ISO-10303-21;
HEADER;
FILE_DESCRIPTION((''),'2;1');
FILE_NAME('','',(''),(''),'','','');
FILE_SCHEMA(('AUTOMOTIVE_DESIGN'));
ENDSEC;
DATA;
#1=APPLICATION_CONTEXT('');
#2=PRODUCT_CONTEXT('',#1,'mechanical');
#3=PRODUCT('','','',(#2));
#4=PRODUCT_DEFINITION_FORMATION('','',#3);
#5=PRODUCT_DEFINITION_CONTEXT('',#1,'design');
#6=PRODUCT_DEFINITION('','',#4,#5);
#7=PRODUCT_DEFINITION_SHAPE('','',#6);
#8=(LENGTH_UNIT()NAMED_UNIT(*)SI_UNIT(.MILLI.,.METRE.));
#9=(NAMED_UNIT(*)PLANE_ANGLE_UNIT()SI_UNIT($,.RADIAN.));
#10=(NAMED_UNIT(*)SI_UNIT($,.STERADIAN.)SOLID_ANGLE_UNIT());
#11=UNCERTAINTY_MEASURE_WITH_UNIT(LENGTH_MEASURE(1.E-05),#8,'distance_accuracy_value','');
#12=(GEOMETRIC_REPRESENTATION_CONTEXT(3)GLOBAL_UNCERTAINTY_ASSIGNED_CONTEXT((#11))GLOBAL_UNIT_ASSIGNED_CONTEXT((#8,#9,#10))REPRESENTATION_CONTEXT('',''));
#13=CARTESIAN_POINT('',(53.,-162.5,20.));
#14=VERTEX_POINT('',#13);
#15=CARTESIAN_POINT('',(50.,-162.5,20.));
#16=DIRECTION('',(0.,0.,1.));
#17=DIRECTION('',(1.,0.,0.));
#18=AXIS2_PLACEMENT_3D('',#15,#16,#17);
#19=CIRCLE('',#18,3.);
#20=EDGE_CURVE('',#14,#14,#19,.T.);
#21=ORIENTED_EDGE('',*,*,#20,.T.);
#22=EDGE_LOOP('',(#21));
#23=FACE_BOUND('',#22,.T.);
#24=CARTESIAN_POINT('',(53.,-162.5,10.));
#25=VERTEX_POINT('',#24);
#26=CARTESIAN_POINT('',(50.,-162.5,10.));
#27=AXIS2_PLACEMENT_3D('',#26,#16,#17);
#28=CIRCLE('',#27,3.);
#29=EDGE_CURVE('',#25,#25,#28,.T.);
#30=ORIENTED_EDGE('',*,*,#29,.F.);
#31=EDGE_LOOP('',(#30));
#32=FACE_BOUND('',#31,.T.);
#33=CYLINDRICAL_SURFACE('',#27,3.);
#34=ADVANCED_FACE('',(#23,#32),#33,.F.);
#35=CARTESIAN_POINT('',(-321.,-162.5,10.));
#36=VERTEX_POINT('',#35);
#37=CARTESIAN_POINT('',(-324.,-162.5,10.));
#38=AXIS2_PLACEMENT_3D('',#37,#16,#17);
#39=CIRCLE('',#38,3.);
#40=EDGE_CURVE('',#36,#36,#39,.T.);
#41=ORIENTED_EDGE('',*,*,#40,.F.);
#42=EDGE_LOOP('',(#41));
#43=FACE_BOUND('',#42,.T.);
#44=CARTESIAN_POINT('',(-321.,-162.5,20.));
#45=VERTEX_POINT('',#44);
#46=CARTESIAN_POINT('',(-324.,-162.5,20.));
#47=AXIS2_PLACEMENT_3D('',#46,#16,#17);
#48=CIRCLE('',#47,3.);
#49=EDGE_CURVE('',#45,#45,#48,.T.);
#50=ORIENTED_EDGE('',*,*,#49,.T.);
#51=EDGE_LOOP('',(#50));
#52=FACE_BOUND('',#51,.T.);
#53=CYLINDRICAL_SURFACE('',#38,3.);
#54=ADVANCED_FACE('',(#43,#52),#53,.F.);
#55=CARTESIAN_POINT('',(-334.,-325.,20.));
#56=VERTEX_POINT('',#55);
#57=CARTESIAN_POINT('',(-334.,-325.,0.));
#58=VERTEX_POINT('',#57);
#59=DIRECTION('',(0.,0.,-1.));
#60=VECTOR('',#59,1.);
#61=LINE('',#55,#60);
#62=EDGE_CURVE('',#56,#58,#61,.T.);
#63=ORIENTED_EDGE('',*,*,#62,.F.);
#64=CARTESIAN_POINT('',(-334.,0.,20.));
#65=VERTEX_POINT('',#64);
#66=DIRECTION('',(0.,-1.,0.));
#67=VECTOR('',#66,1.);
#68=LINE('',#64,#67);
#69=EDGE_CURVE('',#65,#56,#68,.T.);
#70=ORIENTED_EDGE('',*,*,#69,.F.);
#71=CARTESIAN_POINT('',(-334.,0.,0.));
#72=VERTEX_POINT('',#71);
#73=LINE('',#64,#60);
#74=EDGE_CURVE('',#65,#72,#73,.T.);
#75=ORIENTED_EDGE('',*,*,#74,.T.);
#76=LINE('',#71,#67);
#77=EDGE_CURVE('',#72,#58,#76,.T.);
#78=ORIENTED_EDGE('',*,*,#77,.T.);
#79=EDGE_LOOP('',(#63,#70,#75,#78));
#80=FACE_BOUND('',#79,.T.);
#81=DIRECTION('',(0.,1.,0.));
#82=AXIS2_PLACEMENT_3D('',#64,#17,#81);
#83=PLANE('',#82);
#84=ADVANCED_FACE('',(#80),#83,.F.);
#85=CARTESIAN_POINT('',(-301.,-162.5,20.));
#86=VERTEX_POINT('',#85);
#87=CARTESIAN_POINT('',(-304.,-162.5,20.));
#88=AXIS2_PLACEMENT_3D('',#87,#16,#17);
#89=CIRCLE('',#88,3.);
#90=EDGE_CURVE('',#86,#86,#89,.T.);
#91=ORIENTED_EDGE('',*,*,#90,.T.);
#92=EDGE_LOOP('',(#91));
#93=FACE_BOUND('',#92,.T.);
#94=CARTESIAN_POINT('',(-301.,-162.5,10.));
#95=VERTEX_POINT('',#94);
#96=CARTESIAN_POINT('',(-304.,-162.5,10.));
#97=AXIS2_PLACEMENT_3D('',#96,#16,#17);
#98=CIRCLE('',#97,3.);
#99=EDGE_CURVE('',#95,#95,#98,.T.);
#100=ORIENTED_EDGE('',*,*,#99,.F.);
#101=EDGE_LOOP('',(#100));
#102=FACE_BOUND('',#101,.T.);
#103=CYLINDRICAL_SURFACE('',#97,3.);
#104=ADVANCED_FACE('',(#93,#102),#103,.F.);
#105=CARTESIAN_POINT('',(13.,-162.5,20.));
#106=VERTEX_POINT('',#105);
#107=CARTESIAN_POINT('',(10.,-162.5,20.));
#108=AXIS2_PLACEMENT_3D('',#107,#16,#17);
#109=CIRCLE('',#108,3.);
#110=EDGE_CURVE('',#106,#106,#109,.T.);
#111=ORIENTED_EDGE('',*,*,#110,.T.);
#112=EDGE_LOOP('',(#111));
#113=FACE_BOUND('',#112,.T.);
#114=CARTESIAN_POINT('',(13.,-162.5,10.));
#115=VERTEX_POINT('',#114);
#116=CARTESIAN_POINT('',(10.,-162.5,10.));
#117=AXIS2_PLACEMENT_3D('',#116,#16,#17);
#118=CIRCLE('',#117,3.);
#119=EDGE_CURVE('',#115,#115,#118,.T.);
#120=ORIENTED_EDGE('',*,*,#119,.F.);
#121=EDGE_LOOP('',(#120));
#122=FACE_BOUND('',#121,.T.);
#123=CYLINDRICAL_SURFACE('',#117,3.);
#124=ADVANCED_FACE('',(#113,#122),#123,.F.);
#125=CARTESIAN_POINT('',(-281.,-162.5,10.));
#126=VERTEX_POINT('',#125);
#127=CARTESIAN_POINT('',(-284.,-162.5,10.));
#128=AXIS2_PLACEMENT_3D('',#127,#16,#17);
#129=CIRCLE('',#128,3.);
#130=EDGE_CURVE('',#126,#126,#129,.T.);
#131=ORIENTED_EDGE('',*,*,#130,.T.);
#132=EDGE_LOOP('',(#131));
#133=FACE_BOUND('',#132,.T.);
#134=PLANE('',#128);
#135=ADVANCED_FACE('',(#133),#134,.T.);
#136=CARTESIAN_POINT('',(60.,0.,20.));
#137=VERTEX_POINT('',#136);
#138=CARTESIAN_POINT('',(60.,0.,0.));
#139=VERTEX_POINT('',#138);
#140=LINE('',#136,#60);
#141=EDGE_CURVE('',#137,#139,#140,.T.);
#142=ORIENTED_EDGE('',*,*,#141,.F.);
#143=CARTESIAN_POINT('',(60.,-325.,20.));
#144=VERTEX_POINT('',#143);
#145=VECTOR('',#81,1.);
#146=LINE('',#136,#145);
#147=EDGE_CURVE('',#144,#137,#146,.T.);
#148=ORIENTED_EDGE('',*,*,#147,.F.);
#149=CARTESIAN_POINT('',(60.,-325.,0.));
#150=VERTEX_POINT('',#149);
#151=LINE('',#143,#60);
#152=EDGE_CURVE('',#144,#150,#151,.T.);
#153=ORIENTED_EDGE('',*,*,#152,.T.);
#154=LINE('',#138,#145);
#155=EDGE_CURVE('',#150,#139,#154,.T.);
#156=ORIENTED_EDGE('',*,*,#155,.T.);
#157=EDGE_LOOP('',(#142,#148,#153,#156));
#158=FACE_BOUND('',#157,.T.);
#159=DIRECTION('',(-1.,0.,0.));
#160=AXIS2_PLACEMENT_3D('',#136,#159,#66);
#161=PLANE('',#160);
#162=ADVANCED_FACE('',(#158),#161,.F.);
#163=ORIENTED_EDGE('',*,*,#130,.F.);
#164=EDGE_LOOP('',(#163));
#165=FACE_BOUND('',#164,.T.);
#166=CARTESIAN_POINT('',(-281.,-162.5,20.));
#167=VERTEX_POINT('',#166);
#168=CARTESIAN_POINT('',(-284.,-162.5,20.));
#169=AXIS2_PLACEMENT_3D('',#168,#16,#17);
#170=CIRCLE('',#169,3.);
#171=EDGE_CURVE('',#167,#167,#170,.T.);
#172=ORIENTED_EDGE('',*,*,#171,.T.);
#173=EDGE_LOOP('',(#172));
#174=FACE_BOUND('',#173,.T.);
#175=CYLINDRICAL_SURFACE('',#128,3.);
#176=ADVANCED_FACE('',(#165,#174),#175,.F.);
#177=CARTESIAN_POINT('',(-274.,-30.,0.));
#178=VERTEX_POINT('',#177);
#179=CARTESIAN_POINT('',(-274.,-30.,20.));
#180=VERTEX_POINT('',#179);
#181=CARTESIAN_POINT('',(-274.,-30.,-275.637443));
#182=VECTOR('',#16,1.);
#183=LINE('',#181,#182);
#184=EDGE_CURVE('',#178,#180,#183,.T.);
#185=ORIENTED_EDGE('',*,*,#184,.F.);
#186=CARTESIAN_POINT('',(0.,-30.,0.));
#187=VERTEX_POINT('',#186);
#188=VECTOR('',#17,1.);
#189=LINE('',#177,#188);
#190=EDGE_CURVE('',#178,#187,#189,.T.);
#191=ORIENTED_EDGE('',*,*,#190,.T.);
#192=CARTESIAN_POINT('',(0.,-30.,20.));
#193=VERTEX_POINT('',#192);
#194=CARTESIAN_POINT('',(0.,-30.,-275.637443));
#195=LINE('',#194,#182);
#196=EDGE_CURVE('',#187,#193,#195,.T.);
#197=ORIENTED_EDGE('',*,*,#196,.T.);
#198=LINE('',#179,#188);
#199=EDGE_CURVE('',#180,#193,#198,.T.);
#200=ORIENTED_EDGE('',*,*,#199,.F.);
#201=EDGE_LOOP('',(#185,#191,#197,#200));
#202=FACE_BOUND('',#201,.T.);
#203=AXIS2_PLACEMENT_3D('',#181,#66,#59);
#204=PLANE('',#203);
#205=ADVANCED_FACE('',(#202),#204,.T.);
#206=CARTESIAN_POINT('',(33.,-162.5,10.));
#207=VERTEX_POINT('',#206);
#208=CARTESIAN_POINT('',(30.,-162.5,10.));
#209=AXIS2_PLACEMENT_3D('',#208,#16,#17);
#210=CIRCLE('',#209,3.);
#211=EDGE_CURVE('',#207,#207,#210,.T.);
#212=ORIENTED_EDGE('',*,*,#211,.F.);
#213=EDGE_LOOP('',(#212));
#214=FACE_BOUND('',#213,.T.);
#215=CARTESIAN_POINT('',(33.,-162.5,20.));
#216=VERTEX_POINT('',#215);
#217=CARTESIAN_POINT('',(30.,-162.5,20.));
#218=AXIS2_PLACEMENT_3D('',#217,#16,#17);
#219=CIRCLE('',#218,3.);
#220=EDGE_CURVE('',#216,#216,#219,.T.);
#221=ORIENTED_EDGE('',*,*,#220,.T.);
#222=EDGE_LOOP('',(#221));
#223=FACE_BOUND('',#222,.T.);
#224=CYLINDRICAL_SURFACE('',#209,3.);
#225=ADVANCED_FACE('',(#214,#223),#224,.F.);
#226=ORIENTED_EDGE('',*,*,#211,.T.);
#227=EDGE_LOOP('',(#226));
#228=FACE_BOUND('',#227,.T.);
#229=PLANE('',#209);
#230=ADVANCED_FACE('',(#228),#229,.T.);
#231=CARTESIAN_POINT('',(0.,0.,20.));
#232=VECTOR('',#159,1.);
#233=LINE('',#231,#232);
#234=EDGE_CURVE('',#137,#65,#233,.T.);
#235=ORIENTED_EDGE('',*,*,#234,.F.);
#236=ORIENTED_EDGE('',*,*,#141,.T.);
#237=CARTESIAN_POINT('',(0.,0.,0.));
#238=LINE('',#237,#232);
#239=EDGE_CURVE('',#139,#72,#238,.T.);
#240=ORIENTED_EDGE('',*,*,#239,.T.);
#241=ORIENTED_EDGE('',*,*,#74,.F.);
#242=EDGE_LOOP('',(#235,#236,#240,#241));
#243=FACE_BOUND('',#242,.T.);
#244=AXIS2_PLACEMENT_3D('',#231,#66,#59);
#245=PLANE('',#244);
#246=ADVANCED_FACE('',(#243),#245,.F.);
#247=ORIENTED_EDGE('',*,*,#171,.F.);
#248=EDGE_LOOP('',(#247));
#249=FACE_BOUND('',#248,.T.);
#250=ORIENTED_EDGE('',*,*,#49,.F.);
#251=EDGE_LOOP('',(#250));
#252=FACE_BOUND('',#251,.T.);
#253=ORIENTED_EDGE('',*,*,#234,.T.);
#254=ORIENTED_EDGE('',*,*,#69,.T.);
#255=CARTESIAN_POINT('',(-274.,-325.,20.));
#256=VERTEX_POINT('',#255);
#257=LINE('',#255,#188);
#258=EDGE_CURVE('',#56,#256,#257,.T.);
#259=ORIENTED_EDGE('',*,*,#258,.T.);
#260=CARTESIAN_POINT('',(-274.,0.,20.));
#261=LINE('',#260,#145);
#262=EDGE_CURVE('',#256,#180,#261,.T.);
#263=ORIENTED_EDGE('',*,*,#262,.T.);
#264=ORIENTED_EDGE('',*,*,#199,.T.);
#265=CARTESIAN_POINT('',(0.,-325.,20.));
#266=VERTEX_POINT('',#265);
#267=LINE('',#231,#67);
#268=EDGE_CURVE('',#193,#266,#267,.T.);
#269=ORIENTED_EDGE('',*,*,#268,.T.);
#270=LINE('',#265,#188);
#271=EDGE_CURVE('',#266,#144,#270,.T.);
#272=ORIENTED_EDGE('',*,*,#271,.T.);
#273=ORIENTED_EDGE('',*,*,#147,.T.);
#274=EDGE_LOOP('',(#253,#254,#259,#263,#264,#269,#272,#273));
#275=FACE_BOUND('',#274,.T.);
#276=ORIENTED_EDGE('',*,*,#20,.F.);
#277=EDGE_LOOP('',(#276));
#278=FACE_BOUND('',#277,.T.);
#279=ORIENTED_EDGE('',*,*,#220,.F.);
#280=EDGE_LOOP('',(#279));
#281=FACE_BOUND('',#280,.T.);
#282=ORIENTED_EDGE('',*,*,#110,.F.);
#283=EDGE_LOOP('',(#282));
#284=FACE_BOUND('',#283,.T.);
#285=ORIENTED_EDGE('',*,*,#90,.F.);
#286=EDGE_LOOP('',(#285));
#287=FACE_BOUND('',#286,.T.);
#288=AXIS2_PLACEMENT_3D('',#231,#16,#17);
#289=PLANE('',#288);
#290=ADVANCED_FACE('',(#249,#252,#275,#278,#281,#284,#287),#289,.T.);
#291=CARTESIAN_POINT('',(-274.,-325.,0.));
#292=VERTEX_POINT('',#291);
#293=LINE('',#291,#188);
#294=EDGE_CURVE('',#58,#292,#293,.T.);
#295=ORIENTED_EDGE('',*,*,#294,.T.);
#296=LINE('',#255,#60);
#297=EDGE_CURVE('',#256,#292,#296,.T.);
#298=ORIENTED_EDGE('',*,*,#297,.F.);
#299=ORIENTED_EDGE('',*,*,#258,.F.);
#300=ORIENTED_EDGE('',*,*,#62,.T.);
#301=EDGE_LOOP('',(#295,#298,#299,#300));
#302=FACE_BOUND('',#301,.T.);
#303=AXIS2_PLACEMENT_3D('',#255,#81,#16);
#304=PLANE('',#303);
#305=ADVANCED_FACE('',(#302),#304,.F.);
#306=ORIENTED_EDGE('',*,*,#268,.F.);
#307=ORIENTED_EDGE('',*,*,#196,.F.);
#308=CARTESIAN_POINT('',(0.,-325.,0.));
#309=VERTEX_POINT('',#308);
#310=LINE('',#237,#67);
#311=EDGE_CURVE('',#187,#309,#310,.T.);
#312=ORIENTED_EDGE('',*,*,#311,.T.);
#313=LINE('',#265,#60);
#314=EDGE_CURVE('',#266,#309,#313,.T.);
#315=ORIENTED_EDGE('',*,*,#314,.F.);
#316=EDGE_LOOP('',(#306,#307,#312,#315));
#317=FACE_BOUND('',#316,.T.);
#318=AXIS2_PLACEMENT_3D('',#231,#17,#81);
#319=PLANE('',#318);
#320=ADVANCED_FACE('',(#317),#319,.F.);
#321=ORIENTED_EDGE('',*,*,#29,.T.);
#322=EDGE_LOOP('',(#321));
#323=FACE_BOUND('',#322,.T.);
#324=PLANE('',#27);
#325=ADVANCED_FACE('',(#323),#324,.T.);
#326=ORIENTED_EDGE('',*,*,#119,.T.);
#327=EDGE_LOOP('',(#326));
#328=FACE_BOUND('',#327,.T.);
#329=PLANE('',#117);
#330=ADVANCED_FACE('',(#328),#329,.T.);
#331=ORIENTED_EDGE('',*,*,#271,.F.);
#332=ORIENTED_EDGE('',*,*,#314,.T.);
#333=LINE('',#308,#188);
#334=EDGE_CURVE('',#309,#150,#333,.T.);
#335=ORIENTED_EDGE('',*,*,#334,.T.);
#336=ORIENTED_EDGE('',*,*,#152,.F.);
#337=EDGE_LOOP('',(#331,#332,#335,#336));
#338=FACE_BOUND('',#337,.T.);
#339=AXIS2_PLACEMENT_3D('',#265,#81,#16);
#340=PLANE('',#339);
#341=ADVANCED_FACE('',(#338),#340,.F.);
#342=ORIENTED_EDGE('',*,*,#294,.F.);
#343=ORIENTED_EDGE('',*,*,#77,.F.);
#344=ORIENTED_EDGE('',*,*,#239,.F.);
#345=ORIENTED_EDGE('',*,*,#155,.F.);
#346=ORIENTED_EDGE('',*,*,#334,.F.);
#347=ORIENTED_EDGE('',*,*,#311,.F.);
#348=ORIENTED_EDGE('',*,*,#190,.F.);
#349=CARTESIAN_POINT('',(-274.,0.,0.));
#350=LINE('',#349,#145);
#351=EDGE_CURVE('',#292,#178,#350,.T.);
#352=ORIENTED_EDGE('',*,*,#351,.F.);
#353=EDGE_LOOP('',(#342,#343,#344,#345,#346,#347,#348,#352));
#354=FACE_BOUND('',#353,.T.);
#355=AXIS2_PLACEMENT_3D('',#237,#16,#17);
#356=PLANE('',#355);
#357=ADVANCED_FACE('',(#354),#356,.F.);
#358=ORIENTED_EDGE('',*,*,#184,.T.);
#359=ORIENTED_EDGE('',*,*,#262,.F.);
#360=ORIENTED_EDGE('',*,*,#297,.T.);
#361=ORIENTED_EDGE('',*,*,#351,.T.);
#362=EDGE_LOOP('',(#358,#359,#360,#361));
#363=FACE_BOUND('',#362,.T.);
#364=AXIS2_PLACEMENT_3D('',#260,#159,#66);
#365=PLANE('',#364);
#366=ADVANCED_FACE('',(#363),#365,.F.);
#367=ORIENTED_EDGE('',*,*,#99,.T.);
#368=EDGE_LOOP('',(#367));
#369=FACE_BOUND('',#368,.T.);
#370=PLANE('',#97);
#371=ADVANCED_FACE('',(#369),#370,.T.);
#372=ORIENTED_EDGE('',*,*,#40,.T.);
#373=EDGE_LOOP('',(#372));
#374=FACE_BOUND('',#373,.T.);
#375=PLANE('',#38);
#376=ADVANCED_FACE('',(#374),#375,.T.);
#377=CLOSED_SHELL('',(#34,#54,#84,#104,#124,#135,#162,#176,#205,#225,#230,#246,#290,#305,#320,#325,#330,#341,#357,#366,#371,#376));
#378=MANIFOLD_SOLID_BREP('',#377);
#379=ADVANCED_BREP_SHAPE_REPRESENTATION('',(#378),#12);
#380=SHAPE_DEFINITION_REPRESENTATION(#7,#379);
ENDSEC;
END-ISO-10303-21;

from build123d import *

# Parameters (mm, degrees)
SKETCH_1_W          = 60
SKETCH_1_H          = 325
EXTRUDE_1_DEPTH     = 20
EXTRUDE_1_2_DEPTH   = 20
SKETCH_3_R          = 3
CUT_EXTRUDE_1_DEPTH = 10
SKETCH_5_W          = 274
SKETCH_5_H          = 30
EXTRUDE_2_DEPTH     = 20


with BuildPart() as part:
    # 草图1 → 凸台-拉伸1 (new body)
    with BuildSketch(Plane.XY):
        with Locations((30, -162.5)):
            Rectangle(SKETCH_1_W, SKETCH_1_H)
    extrude(amount=EXTRUDE_1_DEPTH)


with BuildPart() as body_2:
    # 草图1 → Extrude 1 2 (new body)
    with BuildSketch(Plane.XY):
        with Locations((-304, -162.5)):
            Rectangle(SKETCH_1_W, SKETCH_1_H)
    extrude(amount=EXTRUDE_1_2_DEPTH)


with BuildPart() as cut_extrude_1_tool:
    # 草图3 → 切除-拉伸1 (new body)
    with BuildSketch(Plane.XY.offset(20)):
        with Locations((50, -162.5)):
            Circle(SKETCH_3_R)
        with Locations((10, -162.5)):
            Circle(SKETCH_3_R)
        with Locations((30, -162.5)):
            Circle(SKETCH_3_R)
        with Locations((-324, -162.5)):
            Circle(SKETCH_3_R)
        with Locations((-304, -162.5)):
            Circle(SKETCH_3_R)
        with Locations((-284, -162.5)):
            Circle(SKETCH_3_R)
    extrude(amount=-CUT_EXTRUDE_1_DEPTH)


with BuildPart() as part_1:
    add(part.part)

    # 切除-拉伸1: cut by cut_extrude_1_tool
    add(cut_extrude_1_tool.part, mode=Mode.SUBTRACT)



with BuildPart() as body_2_1:
    add(body_2.part)

    # 切除-拉伸1: cut by cut_extrude_1_tool
    add(cut_extrude_1_tool.part, mode=Mode.SUBTRACT)


with BuildPart() as part_2:
    add(part_1.part)

    add(body_2_1.part)  # 凸台-拉伸2 merges body 2
    # 草图5 → 凸台-拉伸2 (add)
    with BuildSketch(Plane.XY.offset(20)):
        with Locations((-137, -15)):
            Rectangle(SKETCH_5_W, SKETCH_5_H)
    extrude(amount=-EXTRUDE_2_DEPTH)


solid = part_2.part
